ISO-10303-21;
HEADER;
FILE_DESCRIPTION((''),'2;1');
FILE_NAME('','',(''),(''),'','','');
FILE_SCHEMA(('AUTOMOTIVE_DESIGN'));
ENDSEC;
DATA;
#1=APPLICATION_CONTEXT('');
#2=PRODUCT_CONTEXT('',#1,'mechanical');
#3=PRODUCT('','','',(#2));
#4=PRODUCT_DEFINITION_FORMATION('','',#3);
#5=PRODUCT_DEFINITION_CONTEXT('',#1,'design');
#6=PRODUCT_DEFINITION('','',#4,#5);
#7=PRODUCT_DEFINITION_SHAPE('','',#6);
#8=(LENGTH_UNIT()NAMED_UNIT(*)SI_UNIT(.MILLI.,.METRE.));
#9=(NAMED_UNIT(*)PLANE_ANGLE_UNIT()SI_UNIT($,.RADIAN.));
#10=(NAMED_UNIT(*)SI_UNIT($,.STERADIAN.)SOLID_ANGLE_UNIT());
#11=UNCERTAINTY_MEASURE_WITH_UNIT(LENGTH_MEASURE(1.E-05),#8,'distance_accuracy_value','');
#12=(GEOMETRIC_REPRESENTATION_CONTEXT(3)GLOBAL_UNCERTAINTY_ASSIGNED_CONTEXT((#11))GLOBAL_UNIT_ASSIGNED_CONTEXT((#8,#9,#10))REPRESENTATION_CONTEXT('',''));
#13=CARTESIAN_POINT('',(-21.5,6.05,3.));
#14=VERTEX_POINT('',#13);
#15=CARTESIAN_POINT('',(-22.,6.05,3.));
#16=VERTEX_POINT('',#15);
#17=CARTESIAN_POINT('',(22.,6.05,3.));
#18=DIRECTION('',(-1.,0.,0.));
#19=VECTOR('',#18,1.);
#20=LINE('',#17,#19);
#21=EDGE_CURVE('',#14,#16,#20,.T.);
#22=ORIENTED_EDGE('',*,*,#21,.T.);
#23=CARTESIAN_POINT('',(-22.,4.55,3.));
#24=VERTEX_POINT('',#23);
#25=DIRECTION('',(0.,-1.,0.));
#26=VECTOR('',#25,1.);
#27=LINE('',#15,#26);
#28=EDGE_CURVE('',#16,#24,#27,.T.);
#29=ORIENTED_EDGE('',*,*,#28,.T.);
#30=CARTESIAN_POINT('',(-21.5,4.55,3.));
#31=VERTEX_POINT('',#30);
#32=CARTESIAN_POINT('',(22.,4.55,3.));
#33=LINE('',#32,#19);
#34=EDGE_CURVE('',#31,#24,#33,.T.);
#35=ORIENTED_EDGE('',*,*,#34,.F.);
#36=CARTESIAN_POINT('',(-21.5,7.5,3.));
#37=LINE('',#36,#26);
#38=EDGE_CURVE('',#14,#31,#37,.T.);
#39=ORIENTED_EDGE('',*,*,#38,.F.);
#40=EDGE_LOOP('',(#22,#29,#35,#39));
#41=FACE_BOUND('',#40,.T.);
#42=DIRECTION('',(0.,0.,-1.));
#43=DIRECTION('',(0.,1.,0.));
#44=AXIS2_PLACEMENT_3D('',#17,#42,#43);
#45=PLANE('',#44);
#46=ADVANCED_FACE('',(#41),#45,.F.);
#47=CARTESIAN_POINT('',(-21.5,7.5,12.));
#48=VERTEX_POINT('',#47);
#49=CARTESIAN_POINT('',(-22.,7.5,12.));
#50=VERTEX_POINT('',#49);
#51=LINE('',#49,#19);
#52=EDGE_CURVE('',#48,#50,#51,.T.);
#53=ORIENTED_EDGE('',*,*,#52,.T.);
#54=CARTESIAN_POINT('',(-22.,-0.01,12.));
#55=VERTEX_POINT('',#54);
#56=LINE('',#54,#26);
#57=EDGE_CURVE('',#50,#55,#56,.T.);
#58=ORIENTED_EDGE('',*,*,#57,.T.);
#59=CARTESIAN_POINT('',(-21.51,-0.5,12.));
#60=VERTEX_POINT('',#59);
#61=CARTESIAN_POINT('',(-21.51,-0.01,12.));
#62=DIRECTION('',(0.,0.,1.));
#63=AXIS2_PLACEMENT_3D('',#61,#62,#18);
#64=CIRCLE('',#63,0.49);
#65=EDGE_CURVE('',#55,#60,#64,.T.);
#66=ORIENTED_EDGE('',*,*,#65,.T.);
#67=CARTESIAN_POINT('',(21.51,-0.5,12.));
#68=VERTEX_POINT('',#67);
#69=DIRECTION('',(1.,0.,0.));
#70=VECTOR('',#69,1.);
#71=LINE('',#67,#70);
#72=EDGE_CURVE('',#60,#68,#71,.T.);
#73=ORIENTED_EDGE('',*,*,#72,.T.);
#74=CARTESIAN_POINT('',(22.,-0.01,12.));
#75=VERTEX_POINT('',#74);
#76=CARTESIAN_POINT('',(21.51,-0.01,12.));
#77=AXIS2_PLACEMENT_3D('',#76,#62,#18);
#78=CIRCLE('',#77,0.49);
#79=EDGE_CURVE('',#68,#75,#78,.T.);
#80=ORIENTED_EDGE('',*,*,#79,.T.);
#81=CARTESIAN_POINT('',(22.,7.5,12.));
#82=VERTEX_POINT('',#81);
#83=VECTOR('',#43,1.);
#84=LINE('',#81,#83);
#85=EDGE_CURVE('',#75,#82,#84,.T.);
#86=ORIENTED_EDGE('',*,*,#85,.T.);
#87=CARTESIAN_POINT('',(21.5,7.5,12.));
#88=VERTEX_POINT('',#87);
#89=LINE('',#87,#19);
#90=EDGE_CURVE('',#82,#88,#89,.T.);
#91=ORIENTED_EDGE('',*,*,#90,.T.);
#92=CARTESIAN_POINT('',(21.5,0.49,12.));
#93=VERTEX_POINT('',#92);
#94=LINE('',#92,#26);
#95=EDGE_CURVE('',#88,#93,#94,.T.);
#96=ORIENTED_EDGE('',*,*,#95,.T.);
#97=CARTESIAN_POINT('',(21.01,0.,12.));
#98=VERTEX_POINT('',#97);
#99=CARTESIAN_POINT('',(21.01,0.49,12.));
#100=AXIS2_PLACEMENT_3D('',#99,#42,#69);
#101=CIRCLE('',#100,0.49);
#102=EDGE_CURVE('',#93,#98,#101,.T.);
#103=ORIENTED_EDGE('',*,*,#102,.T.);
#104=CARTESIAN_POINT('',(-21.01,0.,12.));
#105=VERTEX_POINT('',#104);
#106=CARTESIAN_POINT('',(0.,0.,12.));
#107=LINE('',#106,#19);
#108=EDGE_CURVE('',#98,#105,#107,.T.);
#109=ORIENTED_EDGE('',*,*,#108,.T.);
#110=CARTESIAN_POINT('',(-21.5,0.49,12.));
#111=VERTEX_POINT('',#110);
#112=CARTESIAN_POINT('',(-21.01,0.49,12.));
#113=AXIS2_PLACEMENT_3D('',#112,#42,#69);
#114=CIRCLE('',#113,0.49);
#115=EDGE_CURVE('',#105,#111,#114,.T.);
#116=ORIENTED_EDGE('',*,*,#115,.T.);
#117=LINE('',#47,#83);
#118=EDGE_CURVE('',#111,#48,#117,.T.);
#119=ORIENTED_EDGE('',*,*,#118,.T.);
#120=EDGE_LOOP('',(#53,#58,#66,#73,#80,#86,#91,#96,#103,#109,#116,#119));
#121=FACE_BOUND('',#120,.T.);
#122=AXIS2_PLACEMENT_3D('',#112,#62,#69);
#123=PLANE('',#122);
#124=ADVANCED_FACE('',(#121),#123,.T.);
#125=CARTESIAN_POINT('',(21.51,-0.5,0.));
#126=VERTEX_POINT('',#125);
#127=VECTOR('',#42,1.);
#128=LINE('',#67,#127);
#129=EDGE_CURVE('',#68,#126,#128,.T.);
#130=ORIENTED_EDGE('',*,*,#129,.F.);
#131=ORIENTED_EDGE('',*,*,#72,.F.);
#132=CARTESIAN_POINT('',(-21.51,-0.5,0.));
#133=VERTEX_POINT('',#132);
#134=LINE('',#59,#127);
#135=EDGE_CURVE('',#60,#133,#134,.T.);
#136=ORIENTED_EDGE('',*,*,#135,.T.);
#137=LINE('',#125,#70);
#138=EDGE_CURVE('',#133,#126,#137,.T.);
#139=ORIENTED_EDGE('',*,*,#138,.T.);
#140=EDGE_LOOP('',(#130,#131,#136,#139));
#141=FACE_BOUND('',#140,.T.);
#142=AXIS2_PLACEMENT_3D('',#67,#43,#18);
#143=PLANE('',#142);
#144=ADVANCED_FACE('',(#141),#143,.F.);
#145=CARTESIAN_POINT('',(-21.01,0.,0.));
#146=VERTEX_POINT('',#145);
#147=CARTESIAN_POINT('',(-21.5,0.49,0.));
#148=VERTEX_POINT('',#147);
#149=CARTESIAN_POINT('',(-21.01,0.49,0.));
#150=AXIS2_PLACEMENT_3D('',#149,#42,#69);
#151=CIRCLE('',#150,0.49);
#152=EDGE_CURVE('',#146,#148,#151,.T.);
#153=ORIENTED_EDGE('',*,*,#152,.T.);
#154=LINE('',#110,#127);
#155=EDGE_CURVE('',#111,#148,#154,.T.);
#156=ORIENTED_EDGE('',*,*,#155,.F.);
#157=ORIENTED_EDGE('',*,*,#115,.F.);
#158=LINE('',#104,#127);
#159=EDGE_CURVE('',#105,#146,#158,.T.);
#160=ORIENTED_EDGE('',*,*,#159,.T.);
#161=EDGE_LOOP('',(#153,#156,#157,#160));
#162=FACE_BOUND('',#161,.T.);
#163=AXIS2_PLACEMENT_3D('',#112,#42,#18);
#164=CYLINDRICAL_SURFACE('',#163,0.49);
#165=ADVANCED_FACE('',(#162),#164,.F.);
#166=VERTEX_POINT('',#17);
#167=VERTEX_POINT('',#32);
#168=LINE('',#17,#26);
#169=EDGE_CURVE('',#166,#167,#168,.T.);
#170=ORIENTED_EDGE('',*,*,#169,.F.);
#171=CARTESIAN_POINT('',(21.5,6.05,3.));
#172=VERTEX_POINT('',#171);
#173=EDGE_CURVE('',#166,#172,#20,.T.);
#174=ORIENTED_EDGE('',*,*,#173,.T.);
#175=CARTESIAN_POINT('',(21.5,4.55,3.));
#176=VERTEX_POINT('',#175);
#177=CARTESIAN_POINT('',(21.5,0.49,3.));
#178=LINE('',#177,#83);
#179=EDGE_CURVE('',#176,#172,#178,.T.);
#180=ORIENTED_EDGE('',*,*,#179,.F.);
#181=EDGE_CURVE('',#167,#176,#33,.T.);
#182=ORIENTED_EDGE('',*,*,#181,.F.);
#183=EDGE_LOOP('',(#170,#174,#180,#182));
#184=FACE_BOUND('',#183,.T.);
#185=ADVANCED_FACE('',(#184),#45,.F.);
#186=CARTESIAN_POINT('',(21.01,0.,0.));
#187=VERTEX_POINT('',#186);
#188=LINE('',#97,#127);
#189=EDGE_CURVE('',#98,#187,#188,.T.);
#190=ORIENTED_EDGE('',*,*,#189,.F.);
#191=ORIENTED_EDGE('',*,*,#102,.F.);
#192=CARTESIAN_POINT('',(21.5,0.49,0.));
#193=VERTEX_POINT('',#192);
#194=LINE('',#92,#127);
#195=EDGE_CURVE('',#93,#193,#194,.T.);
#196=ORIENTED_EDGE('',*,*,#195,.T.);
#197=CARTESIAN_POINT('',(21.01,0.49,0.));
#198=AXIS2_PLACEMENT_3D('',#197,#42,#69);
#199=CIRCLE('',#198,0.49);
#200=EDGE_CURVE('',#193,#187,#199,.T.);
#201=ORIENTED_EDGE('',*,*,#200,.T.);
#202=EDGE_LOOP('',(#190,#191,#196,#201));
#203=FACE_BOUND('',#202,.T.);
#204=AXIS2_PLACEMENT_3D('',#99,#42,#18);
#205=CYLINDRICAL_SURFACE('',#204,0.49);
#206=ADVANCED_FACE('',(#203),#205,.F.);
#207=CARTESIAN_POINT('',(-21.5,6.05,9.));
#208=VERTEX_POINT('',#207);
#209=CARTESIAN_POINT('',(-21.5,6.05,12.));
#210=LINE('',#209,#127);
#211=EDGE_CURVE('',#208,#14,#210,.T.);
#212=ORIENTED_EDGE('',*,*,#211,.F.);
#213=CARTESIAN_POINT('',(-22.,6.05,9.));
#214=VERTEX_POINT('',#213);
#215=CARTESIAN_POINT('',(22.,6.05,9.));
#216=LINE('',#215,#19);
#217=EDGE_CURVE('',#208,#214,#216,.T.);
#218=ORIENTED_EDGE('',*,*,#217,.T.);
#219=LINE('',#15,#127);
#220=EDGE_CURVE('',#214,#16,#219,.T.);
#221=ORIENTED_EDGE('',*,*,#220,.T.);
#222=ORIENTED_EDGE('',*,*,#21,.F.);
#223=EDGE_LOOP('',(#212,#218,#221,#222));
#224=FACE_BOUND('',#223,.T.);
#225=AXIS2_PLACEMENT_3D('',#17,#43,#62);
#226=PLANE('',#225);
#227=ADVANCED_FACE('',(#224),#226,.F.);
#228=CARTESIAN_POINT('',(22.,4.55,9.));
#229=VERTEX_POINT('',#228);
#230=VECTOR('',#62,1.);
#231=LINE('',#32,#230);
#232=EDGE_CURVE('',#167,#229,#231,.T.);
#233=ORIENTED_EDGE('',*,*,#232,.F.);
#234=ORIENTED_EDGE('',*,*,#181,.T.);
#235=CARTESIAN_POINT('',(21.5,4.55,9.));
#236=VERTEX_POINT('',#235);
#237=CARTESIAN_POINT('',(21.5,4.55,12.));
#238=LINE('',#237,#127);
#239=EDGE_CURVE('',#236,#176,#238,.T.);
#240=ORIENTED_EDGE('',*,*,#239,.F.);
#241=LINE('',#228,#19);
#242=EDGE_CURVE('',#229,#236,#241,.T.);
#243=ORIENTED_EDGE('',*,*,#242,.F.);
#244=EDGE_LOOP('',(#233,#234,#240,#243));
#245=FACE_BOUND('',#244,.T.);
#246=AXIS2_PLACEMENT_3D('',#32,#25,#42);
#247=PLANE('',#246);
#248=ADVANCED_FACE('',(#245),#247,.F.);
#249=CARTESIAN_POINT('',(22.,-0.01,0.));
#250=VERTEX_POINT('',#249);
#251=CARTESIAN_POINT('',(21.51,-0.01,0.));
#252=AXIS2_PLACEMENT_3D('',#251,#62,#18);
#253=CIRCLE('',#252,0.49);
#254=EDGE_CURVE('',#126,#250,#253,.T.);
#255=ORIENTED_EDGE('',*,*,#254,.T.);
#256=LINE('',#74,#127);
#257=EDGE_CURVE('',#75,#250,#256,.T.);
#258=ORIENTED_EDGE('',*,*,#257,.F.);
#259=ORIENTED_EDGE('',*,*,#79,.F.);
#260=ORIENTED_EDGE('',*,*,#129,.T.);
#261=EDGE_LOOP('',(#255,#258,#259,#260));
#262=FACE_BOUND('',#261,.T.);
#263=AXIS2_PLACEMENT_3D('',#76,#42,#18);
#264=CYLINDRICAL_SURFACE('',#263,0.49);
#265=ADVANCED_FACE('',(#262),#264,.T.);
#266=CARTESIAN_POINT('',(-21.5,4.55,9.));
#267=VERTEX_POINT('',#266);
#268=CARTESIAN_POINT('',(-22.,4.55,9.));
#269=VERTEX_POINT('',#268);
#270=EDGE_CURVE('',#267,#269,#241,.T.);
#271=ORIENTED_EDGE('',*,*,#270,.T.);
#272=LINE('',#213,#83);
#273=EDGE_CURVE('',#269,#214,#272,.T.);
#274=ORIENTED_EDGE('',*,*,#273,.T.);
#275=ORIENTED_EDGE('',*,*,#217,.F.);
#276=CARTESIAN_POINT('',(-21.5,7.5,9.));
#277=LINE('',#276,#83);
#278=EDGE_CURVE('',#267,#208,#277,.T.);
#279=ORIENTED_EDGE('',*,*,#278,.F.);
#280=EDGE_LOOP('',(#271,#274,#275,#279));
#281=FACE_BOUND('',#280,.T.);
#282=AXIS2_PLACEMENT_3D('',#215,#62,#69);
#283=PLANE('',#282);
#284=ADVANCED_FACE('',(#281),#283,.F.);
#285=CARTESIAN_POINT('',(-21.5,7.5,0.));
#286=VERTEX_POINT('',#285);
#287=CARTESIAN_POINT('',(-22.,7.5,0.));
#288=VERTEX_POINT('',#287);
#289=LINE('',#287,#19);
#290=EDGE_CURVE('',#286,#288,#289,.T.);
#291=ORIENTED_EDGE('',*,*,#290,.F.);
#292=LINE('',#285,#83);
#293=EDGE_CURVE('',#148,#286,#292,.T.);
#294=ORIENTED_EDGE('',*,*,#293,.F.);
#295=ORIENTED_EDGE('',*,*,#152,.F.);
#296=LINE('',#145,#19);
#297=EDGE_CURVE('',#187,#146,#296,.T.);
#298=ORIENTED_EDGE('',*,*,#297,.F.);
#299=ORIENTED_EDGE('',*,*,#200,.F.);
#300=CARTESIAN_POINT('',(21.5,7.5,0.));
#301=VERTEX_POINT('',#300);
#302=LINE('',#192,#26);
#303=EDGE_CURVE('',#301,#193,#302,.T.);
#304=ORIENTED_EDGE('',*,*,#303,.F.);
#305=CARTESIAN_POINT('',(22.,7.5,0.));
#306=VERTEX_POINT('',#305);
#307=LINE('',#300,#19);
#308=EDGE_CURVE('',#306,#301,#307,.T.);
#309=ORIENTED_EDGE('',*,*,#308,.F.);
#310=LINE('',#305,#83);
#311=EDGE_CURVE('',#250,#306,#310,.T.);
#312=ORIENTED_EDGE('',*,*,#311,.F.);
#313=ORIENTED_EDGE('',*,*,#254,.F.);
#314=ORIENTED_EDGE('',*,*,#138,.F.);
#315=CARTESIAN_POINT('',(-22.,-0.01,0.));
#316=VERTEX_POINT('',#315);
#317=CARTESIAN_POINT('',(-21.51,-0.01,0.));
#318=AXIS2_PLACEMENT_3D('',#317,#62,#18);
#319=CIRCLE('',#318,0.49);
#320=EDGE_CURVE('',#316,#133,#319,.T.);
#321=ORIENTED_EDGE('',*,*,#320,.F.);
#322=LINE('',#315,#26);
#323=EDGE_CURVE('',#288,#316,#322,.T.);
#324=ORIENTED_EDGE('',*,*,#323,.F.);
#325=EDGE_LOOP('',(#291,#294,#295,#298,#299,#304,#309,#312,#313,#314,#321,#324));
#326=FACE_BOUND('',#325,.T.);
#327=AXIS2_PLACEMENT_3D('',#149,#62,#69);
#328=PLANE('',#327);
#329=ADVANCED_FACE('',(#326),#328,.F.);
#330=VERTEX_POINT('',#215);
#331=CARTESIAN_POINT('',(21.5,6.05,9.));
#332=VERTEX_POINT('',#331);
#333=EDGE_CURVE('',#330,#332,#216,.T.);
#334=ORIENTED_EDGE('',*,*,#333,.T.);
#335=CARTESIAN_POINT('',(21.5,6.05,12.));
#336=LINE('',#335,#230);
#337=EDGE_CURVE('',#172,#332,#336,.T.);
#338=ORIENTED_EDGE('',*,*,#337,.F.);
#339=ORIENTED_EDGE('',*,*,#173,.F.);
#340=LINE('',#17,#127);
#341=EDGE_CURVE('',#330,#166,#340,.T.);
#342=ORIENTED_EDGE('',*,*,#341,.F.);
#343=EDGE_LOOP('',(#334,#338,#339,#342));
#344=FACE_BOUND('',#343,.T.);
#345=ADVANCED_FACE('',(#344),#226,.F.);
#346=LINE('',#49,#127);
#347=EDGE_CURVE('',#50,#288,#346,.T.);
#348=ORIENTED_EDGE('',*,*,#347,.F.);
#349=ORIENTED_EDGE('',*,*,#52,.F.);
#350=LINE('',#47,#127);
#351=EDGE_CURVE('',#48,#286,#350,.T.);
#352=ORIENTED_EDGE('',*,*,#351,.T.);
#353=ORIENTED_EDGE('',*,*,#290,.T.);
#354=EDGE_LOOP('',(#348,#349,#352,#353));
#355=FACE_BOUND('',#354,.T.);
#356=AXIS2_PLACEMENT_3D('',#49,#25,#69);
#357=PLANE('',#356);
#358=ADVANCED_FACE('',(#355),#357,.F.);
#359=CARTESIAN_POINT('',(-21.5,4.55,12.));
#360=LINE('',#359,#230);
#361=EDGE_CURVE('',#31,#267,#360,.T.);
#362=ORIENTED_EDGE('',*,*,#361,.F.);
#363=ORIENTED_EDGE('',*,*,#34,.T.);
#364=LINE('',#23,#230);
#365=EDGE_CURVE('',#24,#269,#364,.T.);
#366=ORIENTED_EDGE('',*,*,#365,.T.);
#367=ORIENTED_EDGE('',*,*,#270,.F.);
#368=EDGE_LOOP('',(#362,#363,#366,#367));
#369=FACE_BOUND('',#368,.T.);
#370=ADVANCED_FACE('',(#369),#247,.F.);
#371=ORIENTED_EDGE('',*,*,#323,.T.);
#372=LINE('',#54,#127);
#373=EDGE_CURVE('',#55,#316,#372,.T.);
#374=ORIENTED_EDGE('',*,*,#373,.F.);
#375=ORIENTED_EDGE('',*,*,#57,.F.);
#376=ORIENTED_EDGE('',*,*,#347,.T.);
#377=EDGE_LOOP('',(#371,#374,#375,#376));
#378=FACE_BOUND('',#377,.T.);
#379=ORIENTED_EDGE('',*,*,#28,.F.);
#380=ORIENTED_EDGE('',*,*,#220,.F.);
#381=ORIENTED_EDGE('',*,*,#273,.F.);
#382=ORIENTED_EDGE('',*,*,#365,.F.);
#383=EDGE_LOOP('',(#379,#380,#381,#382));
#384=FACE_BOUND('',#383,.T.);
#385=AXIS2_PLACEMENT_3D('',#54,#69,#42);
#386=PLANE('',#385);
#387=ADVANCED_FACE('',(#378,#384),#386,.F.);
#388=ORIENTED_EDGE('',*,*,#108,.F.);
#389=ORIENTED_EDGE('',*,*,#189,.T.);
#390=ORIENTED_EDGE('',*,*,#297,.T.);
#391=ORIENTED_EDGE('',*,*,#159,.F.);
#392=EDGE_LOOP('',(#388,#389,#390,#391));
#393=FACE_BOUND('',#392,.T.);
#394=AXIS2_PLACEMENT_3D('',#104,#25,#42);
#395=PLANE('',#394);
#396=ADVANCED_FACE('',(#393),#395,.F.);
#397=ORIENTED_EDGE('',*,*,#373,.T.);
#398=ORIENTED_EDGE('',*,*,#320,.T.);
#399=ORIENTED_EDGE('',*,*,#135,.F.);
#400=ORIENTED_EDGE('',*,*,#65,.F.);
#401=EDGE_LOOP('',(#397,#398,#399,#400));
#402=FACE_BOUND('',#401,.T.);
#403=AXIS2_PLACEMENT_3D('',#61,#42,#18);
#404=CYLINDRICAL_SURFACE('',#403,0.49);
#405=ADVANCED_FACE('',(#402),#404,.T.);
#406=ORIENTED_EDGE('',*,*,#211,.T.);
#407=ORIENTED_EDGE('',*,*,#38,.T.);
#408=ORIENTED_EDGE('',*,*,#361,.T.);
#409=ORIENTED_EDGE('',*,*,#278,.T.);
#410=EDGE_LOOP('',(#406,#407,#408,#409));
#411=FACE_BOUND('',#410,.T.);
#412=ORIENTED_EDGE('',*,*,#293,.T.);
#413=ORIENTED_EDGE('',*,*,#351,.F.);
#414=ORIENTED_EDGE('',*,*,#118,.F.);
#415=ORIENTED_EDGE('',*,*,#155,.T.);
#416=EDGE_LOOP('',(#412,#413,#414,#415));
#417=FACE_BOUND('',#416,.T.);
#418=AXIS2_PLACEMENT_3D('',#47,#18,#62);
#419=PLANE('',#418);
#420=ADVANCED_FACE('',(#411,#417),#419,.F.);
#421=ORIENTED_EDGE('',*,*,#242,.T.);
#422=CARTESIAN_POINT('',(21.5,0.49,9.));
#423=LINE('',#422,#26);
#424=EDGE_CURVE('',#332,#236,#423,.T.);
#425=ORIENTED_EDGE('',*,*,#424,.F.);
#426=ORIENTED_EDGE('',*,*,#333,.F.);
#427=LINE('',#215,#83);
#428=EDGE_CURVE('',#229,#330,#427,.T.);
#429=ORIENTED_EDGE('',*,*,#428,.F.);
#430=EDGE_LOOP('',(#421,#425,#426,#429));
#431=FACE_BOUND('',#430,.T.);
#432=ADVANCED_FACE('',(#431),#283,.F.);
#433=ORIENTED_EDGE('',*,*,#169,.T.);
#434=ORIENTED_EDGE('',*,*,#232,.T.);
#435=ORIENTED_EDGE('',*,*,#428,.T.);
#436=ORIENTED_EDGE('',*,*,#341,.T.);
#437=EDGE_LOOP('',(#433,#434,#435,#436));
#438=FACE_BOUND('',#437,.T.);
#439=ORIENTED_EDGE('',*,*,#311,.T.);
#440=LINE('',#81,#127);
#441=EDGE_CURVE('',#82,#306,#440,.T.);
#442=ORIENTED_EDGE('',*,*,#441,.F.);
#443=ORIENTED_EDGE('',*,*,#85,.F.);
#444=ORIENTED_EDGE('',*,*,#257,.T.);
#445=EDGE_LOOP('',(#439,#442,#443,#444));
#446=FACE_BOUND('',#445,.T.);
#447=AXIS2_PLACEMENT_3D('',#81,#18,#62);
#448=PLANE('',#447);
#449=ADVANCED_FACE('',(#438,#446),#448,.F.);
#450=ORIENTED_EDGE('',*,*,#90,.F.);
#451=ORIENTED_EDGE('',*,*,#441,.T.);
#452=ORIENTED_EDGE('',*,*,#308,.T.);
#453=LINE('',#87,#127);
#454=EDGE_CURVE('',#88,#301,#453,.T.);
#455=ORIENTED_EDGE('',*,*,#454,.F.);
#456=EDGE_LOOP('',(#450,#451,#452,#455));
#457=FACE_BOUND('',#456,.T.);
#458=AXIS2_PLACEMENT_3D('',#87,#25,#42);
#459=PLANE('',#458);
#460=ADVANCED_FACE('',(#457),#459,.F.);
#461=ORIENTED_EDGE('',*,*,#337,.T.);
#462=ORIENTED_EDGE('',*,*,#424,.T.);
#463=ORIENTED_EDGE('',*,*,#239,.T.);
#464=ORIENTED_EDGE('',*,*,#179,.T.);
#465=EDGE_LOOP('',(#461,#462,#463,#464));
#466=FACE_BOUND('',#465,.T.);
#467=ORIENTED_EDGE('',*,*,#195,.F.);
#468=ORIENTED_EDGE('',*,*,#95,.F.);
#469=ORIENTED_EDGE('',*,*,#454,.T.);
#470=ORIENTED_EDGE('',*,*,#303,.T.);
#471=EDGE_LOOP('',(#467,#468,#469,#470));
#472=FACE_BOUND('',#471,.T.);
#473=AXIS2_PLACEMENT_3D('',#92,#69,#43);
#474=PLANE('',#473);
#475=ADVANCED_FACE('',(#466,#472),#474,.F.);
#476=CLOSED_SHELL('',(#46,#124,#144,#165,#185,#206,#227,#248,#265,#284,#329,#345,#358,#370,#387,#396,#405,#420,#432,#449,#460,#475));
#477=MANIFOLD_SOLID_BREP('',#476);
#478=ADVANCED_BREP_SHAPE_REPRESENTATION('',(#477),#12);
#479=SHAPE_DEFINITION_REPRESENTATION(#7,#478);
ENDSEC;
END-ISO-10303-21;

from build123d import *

# Parameters (mm, degrees)
BOSS_EXTRUDE1_DEPTH = 12
SKETCH2_W           = 6
SKETCH2_H           = 1.5
CUT_EXTRUDE1_DEPTH  = 45


with BuildPart() as part:
    # Sketch1 → Boss-Extrude1 (new body)
    with BuildSketch(Plane.XY):
        with BuildLine():
            Line((-21.5, 7.5), (-21.5, 0.49))
            ThreePointArc((-21.5, 0.49), (-21.356482323, 0.143517677), (-21.01, 0))
            Line((-21.01, 0), (0, 0))
            Line((0, 0), (21.01, 0))
            ThreePointArc((21.01, 0), (21.356482323, 0.143517677), (21.5, 0.49))
            Line((21.5, 0.49), (21.5, 7.5))
            Line((21.5, 7.5), (22, 7.5))
            Line((22, 7.5), (22, -0.01))
            ThreePointArc((22, -0.01), (21.856482323, -0.356482323), (21.51, -0.5))
            Line((21.51, -0.5), (-21.51, -0.5))
            ThreePointArc((-21.51, -0.5), (-21.856482323, -0.356482323), (-22, -0.01))
            Line((-22, -0.01), (-22, 7.5))
            Line((-22, 7.5), (-21.5, 7.5))
        make_face()
    extrude(amount=BOSS_EXTRUDE1_DEPTH)

    # Sketch2 → Cut-Extrude1 (cut, through all)
    with BuildSketch(Plane.ZY.offset(22)):
        with Locations((6, 5.3)):
            Rectangle(SKETCH2_W, SKETCH2_H)
    extrude(amount=-CUT_EXTRUDE1_DEPTH, mode=Mode.SUBTRACT)


solid = part.part
